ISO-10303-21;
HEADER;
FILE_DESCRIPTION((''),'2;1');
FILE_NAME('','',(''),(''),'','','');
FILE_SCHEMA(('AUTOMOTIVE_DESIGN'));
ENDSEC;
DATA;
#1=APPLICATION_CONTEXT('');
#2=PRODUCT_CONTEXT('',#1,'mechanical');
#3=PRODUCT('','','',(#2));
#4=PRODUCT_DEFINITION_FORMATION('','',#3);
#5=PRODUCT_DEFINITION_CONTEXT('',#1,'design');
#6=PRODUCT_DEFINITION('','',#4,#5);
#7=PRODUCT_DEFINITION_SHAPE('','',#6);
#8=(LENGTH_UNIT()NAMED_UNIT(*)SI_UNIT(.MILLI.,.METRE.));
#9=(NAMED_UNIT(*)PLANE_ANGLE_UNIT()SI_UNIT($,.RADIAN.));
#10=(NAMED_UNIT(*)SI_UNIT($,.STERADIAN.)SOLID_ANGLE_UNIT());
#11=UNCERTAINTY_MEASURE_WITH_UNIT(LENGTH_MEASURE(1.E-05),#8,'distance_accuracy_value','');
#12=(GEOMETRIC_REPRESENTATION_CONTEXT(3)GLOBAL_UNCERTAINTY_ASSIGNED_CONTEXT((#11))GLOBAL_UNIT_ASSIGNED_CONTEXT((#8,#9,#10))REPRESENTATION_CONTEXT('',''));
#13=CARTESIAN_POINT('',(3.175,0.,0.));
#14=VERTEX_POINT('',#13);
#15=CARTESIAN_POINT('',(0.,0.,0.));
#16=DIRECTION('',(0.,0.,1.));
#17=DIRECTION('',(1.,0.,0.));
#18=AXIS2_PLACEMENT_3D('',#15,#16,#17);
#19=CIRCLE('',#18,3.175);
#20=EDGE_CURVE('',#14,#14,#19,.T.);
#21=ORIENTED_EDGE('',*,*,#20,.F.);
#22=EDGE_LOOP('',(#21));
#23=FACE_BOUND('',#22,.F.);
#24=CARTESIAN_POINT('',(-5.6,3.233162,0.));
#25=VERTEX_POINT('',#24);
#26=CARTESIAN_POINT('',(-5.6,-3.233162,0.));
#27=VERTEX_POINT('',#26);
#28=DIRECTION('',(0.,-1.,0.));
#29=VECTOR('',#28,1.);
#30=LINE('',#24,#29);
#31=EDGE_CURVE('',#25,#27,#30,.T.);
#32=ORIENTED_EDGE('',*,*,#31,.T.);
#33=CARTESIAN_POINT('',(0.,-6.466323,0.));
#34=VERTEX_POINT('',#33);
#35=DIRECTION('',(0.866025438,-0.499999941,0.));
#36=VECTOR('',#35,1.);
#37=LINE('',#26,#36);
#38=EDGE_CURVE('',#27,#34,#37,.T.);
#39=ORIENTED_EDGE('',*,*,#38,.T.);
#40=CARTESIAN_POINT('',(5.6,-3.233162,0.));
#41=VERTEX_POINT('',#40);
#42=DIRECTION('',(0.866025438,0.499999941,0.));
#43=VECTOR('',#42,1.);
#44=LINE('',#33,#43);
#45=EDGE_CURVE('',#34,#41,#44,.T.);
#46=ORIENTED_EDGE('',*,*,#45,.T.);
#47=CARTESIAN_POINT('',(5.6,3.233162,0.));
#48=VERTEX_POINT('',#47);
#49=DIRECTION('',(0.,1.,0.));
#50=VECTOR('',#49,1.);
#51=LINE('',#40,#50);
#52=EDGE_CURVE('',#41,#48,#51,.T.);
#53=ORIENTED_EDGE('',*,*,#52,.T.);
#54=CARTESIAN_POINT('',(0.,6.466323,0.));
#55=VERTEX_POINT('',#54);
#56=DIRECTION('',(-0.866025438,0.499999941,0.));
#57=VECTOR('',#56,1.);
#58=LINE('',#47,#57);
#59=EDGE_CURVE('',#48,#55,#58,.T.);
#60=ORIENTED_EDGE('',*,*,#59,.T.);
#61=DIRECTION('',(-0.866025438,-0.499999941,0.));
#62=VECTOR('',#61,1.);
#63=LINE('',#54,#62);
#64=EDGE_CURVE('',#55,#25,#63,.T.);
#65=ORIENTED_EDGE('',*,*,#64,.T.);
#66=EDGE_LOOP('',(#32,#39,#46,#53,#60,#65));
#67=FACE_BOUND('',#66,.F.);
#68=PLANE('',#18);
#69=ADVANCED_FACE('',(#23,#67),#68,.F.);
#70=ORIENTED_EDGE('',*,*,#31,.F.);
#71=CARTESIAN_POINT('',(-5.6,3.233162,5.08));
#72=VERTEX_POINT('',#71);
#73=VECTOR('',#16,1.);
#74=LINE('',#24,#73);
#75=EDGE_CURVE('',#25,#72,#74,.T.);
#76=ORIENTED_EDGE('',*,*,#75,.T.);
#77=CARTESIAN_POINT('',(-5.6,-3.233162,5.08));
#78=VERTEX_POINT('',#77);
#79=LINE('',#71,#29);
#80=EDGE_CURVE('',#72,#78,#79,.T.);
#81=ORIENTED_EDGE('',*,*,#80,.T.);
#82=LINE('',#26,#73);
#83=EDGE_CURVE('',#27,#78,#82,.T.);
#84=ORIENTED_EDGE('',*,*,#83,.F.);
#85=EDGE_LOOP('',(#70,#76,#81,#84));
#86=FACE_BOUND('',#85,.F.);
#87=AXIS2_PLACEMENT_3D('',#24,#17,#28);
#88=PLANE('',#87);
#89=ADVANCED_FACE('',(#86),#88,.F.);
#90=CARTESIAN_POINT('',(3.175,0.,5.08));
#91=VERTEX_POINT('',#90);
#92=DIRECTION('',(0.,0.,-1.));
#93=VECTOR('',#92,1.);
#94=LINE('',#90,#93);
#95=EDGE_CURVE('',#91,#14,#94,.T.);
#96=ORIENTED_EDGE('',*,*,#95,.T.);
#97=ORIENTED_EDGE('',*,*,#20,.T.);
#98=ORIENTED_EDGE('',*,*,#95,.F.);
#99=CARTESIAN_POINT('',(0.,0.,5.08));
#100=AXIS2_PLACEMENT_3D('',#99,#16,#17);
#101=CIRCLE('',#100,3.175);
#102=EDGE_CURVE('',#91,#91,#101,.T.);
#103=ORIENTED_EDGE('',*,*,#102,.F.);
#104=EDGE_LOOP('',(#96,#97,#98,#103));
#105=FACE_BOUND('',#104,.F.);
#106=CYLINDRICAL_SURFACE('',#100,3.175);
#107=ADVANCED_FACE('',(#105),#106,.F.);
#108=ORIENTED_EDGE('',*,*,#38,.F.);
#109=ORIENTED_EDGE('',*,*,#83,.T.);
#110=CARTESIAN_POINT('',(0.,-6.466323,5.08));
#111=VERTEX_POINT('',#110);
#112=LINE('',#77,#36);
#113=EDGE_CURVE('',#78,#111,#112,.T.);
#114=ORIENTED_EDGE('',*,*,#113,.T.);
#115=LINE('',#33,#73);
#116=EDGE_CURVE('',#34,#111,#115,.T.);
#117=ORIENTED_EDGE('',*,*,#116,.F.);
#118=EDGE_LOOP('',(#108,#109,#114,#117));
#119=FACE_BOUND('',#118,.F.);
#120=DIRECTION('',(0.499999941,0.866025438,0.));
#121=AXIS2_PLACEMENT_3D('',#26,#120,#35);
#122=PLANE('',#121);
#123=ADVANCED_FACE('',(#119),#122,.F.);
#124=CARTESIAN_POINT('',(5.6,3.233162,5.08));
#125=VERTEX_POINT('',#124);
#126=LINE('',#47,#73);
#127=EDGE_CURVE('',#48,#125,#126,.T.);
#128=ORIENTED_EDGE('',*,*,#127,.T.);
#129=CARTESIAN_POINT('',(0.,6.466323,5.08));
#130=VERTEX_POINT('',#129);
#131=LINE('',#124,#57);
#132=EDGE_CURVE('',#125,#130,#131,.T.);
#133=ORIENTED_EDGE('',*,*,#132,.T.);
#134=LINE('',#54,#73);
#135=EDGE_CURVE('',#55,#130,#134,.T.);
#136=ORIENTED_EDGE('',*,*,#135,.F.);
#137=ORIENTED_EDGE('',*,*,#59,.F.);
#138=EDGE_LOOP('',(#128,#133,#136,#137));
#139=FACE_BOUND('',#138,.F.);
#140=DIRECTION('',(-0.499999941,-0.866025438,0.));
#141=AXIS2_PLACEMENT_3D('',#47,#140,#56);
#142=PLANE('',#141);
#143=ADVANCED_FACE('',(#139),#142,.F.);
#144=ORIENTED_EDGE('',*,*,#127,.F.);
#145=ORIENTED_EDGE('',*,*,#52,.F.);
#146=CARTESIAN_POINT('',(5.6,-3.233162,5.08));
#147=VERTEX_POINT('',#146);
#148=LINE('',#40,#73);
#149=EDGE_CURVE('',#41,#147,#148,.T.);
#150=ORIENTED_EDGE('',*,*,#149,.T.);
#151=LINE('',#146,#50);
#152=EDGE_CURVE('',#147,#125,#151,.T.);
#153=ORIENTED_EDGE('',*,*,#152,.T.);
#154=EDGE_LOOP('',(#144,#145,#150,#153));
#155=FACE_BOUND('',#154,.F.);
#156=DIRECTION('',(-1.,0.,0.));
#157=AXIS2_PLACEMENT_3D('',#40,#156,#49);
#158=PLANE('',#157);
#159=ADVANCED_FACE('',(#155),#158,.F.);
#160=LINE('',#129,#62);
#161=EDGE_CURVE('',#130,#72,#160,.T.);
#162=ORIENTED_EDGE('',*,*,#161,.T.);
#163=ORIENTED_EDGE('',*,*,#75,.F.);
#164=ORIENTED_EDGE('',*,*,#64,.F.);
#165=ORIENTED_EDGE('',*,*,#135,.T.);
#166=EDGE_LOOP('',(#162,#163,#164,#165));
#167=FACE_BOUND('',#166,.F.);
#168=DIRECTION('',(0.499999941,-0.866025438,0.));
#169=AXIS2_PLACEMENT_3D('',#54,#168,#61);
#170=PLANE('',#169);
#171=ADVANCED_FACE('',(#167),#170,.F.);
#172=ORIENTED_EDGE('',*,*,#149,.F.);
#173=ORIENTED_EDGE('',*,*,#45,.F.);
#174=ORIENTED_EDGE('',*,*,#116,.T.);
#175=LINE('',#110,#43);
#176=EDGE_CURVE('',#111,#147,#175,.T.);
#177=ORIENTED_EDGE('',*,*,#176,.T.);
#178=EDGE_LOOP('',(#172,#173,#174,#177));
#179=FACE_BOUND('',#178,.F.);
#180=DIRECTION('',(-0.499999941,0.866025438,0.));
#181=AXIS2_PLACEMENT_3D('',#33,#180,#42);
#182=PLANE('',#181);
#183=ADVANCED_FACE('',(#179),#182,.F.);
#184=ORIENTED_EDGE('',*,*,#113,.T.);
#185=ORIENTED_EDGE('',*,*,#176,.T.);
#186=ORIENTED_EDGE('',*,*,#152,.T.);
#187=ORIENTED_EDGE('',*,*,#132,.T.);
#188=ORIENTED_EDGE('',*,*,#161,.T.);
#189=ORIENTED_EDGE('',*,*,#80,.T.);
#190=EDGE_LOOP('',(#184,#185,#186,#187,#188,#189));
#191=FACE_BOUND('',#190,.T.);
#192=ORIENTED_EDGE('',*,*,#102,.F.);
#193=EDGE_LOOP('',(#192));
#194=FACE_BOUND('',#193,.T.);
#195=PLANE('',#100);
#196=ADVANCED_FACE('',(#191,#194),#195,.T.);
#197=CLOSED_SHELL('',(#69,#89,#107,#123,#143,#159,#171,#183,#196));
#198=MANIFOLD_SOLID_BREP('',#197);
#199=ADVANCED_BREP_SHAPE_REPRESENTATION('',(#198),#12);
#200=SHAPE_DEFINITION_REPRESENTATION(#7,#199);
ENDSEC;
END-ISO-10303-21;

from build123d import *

# Parameters (mm, degrees)
F1_DEPTH = 5.08
F2_R     = 3.175
F3_DEPTH = 5.081


with BuildPart() as f1:
    # F0 (on Top) → F1 (new body)
    with BuildSketch(Plane.XY):
        Polygon((-5.6, 3.233162), (-5.6, -3.233162), (0, -6.466323), (5.6, -3.233162), (5.6, 3.233162), (0, 6.466323), align=None)
    extrude(amount=F1_DEPTH)

    # F2 (on face) → F3 (cut, through all)
    with BuildSketch(Plane.XY.offset(5.08)):
        Circle(F2_R)
    extrude(amount=-F3_DEPTH, mode=Mode.SUBTRACT)


solid = f1.part
